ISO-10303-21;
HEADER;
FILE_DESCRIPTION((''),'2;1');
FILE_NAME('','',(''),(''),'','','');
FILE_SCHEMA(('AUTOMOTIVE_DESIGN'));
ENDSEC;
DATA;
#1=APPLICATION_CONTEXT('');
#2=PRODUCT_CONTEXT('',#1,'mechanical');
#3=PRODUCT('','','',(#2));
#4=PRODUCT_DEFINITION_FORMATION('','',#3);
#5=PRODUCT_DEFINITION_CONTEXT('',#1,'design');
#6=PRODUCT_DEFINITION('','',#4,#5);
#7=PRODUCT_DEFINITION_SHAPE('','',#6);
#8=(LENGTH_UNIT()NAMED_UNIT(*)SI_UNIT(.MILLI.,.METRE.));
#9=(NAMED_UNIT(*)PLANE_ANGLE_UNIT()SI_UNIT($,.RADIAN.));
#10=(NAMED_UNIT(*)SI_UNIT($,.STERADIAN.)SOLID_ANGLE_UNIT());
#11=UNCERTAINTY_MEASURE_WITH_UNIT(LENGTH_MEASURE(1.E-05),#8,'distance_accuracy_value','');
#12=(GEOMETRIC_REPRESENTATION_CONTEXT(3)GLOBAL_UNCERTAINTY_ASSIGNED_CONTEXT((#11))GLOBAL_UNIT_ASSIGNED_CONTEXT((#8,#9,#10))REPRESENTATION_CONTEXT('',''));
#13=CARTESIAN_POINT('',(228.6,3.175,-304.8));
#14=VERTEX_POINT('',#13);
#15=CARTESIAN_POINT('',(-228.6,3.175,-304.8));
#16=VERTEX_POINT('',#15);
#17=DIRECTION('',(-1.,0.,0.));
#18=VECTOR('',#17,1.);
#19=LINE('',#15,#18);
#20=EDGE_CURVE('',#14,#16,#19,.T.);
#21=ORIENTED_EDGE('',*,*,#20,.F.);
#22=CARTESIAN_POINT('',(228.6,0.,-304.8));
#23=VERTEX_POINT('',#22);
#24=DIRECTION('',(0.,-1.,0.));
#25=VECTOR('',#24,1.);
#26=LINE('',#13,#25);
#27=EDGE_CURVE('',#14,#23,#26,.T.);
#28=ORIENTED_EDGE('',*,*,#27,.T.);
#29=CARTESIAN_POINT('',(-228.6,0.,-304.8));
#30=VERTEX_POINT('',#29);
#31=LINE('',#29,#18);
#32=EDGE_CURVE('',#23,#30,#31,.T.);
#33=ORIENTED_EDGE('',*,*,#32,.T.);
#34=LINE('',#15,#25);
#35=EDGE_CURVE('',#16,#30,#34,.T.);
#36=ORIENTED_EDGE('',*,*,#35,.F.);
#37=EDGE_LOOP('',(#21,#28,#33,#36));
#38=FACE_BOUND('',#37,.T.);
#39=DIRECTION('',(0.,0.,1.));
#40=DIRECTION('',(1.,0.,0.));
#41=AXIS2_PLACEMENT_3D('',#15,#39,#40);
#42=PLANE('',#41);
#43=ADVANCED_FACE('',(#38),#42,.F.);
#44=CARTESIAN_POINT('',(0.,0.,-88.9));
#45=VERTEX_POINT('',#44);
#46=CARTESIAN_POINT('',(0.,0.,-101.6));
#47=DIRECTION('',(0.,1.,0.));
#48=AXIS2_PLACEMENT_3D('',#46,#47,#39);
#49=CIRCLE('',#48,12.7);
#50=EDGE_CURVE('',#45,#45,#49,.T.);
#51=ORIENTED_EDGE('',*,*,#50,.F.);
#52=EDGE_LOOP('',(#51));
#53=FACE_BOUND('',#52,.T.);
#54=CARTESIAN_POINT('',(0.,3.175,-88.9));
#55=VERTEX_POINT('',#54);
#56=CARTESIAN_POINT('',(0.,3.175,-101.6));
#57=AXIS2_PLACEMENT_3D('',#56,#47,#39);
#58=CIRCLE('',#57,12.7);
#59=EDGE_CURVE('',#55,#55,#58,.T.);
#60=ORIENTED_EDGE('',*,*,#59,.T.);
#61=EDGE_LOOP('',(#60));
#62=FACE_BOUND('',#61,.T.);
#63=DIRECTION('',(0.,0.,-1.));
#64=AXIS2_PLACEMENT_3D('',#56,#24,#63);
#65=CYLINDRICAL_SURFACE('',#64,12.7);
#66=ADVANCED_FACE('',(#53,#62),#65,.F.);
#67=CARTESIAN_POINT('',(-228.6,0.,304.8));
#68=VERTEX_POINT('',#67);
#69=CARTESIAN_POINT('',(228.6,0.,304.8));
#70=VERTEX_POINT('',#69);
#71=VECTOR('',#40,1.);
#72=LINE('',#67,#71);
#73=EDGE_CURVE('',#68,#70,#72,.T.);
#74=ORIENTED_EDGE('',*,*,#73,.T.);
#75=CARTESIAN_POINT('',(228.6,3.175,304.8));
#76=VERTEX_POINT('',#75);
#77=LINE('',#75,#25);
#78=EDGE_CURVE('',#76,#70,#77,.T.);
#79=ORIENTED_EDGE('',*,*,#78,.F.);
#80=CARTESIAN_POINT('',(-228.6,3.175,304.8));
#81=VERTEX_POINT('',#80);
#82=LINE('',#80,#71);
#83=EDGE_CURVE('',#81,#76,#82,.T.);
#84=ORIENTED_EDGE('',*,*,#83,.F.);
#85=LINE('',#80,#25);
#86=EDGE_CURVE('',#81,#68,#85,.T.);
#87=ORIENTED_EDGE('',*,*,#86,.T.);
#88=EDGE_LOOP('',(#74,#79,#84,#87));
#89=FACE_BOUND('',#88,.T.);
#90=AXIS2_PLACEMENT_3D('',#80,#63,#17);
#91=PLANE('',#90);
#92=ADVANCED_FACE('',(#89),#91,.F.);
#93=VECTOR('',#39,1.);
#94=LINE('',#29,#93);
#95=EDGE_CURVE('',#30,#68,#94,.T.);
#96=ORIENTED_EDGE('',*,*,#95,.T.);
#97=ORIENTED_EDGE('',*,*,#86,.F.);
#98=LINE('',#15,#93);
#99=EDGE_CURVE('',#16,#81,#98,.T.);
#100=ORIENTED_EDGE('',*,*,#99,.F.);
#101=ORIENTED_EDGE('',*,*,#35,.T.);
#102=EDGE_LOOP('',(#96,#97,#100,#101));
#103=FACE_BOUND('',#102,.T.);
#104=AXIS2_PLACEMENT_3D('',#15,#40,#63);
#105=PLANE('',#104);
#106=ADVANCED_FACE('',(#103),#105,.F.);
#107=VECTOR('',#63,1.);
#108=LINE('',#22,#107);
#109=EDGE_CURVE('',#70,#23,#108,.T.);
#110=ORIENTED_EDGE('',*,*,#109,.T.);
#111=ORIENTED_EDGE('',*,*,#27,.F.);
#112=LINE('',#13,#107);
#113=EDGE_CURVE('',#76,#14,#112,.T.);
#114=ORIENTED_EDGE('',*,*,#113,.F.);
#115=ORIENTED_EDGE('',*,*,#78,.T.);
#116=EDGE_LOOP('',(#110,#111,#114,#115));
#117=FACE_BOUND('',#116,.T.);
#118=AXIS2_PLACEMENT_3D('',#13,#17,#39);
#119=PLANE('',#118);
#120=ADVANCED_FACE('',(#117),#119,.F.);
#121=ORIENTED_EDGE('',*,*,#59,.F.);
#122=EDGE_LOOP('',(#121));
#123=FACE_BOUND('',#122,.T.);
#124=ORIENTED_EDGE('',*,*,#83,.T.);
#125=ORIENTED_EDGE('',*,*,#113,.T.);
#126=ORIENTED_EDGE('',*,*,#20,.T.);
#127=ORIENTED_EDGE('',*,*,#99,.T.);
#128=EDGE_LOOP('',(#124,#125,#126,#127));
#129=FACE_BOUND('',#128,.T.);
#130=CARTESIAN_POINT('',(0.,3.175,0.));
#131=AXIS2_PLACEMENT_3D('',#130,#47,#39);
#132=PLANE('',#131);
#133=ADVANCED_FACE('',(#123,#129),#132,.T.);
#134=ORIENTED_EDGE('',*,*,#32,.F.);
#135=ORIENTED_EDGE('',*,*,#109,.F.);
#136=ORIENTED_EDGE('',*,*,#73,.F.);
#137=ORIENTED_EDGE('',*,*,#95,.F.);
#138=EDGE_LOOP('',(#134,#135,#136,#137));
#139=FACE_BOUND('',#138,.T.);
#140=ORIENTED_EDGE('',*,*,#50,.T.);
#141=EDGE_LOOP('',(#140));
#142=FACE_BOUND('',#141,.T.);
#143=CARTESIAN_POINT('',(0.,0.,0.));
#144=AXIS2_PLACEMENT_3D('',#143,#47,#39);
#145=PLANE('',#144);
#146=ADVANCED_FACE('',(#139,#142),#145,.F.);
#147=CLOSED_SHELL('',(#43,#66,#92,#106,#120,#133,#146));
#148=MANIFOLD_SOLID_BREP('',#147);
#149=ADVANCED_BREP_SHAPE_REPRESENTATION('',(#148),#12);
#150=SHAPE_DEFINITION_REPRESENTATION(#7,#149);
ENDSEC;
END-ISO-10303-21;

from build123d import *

# Parameters (mm, degrees)
SKETCH1_W           = 457.2
SKETCH1_H           = 609.6
SKETCH1_R           = 12.7
BOSS_EXTRUDE1_DEPTH = 3.175


with BuildPart() as part:
    # Sketch1 → Boss-Extrude1 (new body)
    with BuildSketch(Plane(origin=(0, 0, 0), x_dir=(1, 0, 0), z_dir=(0, 1, 0))):
        Rectangle(SKETCH1_W, SKETCH1_H)
        with Locations((0, 101.6)):
            Circle(SKETCH1_R, mode=Mode.SUBTRACT)
    extrude(amount=BOSS_EXTRUDE1_DEPTH)


solid = part.part
